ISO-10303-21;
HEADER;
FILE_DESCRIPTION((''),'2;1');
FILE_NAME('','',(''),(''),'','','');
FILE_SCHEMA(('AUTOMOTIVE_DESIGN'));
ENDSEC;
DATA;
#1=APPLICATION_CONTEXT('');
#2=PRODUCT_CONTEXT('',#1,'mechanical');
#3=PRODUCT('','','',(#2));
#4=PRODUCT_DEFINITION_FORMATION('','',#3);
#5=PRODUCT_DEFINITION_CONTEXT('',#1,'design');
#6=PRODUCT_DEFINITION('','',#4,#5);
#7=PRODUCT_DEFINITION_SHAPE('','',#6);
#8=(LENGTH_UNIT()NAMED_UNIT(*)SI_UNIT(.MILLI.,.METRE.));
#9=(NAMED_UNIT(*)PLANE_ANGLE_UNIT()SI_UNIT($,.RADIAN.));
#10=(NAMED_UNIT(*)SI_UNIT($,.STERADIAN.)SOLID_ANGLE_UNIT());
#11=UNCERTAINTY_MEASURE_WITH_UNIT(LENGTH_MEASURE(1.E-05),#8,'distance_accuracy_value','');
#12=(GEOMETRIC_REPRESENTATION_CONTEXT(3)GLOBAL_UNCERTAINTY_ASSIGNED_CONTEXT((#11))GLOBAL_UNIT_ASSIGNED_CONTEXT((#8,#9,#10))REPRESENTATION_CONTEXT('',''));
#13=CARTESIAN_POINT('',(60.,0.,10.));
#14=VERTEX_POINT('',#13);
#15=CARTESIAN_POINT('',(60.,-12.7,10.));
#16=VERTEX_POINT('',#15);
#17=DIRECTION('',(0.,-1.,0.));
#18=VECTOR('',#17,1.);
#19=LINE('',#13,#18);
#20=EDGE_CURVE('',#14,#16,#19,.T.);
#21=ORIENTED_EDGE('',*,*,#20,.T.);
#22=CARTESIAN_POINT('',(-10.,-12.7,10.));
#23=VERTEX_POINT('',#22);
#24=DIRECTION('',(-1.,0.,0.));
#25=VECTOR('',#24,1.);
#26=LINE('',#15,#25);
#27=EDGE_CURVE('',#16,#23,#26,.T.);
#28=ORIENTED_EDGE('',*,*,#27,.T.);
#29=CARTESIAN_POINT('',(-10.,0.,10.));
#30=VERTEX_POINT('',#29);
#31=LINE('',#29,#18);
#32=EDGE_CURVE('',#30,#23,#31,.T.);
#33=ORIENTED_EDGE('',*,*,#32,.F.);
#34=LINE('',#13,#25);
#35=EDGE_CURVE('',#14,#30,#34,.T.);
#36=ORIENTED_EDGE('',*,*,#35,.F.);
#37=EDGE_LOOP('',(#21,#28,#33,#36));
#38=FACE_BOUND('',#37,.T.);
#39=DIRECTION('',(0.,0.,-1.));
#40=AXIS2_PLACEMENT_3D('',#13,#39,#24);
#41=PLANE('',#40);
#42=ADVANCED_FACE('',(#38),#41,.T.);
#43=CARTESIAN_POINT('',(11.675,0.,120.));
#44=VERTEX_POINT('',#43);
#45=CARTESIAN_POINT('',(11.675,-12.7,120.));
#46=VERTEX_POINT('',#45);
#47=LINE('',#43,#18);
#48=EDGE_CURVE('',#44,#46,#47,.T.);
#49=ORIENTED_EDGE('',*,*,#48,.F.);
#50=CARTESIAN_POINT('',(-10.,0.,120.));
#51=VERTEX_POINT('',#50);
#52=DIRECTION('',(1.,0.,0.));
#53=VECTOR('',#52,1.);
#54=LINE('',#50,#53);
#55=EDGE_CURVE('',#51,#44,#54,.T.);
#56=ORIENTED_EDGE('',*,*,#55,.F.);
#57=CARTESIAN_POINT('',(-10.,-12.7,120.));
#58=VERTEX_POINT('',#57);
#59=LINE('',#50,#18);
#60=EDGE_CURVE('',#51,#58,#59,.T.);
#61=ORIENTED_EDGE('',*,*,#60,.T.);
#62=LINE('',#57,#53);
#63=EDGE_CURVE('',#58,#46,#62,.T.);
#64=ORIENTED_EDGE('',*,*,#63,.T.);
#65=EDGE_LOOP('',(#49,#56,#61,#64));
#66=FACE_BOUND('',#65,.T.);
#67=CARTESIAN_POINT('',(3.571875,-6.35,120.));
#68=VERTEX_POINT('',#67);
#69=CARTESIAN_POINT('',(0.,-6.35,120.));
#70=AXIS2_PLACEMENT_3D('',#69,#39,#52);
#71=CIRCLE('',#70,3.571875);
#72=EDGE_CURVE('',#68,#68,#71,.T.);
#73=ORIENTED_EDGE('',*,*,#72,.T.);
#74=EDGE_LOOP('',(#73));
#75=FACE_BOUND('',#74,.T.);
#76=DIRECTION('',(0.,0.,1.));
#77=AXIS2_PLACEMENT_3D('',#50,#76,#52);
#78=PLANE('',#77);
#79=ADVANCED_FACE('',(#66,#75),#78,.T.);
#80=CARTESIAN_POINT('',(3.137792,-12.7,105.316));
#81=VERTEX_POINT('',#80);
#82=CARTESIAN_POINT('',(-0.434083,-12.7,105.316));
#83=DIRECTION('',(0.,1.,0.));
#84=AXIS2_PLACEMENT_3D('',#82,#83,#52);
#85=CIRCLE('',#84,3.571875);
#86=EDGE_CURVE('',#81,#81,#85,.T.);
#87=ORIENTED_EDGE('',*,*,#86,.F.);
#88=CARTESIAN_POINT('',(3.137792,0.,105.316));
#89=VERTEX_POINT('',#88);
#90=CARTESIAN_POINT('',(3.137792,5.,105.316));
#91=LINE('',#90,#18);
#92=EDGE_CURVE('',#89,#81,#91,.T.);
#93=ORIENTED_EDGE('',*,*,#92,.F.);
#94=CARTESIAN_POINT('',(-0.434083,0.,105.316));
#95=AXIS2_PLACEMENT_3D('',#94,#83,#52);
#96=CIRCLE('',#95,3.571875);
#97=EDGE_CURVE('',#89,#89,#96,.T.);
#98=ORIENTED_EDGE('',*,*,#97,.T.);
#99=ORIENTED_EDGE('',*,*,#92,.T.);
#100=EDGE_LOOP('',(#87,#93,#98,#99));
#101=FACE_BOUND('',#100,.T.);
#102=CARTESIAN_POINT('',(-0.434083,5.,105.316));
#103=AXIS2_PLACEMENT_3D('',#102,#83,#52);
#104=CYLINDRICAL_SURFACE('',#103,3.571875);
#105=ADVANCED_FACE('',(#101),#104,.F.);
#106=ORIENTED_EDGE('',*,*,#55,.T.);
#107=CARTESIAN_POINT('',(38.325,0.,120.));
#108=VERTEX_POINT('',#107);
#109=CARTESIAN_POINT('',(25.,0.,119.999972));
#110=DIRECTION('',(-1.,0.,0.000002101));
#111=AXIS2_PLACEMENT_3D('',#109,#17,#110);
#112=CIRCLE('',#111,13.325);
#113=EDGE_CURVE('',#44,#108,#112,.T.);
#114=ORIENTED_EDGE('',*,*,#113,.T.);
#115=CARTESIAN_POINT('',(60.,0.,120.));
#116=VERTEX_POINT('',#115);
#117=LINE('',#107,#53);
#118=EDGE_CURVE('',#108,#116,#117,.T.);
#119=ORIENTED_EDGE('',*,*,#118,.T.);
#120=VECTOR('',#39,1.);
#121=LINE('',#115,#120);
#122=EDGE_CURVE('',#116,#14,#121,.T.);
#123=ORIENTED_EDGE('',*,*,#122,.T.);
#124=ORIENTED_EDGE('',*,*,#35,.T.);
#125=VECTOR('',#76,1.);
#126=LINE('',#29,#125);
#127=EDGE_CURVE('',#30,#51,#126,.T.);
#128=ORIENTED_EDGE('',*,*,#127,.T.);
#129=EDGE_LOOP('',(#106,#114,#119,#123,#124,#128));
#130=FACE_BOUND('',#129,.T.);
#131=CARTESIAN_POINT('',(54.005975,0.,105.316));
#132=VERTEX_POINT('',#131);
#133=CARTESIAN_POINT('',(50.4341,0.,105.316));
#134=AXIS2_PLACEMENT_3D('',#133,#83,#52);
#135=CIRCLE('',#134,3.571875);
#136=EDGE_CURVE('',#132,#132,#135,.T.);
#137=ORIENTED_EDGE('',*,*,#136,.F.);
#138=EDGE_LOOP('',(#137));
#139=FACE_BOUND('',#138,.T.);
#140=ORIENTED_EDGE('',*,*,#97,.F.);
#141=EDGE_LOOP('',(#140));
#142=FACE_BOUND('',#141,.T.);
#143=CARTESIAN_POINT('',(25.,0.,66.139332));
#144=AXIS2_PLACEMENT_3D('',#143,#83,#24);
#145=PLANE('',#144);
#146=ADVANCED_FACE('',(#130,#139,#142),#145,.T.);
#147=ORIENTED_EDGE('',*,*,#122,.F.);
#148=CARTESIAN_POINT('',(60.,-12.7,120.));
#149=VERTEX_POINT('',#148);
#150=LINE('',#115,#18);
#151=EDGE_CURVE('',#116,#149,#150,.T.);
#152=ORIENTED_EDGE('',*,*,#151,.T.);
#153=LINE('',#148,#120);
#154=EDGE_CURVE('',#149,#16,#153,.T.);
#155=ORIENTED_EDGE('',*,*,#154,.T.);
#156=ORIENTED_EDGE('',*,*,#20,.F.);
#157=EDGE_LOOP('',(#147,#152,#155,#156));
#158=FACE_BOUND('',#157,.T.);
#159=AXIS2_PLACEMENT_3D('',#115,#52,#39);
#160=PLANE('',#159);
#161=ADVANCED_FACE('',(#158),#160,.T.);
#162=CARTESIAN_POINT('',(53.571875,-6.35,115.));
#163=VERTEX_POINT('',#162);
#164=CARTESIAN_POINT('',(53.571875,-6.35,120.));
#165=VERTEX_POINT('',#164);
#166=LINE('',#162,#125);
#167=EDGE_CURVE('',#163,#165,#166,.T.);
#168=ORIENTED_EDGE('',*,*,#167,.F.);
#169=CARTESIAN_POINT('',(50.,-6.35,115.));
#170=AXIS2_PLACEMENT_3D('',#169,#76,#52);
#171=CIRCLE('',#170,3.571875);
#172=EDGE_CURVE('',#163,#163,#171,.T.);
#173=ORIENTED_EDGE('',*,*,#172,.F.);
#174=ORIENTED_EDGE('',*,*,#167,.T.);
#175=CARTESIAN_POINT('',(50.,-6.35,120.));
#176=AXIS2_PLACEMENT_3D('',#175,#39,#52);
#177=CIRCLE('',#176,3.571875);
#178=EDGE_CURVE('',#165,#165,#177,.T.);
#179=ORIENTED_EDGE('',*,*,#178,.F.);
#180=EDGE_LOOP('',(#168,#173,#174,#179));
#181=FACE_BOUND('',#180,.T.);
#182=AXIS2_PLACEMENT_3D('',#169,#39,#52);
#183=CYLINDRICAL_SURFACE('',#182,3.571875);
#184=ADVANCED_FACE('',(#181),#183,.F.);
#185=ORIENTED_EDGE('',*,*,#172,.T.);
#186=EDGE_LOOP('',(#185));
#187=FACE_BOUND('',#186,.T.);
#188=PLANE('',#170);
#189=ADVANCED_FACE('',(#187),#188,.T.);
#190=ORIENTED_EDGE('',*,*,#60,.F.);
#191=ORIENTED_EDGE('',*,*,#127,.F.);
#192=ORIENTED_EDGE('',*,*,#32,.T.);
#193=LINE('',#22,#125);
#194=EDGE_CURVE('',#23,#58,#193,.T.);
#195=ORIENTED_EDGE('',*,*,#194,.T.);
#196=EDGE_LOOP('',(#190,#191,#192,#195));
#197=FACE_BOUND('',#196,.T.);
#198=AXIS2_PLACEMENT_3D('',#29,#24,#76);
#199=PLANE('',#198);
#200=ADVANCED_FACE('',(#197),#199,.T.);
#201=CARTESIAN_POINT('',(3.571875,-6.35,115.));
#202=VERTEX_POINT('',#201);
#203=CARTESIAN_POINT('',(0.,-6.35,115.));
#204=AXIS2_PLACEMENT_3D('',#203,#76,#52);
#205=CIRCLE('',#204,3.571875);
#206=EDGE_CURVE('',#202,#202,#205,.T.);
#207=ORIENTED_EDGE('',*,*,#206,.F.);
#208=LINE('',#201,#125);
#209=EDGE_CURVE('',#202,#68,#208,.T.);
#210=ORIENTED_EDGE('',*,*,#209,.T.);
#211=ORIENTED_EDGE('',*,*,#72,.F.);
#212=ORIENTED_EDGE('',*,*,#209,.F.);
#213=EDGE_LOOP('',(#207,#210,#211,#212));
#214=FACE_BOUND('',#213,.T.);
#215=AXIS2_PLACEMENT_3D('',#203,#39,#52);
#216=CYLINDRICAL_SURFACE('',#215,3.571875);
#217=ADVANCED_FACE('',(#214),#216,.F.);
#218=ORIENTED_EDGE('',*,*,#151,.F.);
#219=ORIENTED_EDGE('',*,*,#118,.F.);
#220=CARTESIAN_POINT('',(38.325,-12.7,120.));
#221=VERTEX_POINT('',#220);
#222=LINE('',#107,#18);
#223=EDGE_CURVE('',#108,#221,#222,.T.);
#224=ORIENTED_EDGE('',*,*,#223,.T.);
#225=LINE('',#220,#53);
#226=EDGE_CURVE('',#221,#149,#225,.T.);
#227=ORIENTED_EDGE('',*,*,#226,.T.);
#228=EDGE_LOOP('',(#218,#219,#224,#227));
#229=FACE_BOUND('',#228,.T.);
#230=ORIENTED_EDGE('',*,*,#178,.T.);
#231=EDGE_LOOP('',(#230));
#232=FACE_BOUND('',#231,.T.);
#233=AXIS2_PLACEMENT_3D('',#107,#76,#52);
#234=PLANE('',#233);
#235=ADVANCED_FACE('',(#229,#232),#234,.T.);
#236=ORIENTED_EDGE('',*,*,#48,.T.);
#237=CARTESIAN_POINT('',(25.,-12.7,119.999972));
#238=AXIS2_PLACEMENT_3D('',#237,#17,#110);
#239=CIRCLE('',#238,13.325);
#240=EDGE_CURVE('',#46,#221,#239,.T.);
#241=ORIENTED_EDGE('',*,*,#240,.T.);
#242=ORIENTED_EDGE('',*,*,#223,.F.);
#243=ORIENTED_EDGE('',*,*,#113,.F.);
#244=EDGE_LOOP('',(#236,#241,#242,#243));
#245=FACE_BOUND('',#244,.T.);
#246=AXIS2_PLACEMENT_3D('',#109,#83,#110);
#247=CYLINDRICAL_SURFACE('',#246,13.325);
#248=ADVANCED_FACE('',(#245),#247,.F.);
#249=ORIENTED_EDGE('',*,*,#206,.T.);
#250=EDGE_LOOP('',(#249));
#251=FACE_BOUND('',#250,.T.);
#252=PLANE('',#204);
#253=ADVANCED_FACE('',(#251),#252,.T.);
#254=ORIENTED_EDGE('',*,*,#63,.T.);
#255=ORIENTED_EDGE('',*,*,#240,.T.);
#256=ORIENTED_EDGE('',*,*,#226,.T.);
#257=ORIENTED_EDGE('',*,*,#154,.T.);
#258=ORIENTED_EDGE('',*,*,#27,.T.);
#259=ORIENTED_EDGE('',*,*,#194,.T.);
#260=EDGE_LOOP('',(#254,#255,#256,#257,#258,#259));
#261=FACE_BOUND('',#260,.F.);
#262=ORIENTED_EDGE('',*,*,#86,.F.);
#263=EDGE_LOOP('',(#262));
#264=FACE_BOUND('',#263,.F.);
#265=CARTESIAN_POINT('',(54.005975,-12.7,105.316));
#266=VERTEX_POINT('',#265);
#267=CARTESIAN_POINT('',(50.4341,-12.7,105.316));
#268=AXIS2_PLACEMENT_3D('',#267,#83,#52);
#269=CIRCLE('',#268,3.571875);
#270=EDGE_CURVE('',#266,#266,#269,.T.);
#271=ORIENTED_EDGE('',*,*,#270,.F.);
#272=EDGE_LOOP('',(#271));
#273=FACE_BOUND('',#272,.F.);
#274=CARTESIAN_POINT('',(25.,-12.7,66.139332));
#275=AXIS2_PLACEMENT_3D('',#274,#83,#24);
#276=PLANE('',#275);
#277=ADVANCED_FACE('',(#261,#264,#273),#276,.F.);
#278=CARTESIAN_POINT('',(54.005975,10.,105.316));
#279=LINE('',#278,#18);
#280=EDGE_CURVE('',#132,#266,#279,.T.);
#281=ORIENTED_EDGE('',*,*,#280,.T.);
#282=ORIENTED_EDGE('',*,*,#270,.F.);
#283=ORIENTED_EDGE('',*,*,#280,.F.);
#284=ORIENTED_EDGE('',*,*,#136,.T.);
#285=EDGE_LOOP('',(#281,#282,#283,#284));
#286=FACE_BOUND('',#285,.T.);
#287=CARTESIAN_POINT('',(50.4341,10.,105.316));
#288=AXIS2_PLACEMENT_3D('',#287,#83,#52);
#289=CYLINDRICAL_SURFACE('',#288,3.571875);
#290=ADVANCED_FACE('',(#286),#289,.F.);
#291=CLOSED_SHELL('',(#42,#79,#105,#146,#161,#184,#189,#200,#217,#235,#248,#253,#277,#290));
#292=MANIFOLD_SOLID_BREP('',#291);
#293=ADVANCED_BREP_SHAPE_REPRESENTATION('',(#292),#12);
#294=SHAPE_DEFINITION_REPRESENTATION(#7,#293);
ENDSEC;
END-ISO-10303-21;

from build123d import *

# Parameters (mm, degrees)
SKETCH026_R  = 3.571875
PAD026_DEPTH = 6
SKETCH025_R  = 3.571875
PAD025_DEPTH = 6
SKETCH024_R  = 3.571875
PAD024_DEPTH = 50
SKETCH023_R  = 3.571875
PAD023_DEPTH = 33.7
PAD001_DEPTH = 12.7


with BuildPart() as body026:
    # Sketch026 → Pad026 (new body)
    with BuildSketch(Plane.XY):
        Circle(SKETCH026_R)
    extrude(amount=PAD026_DEPTH)


with BuildPart() as body026_1:
    # Body026 placement: moved
    add(body026.part.moved(Location((150, -6.35, 115))))


with BuildPart() as body025:
    # Sketch025 → Pad025 (new body)
    with BuildSketch(Plane.XY):
        Circle(SKETCH025_R)
    extrude(amount=PAD025_DEPTH)


with BuildPart() as body025_1:
    # Body025 placement: moved
    add(body025.part.moved(Location((100, -6.35, 115))))


with BuildPart() as body024:
    # Sketch024 → Pad024 (new body)
    with BuildSketch(Plane.XZ):
        Circle(SKETCH024_R)
    extrude(amount=PAD024_DEPTH)


with BuildPart() as body024_1:
    # Body024 placement: moved
    add(body024.part.moved(Location((50.4341, 10, 105.316))))


with BuildPart() as body023:
    # Sketch023 → Pad023 (new body)
    with BuildSketch(Plane.XZ):
        Circle(SKETCH023_R)
    extrude(amount=PAD023_DEPTH)


with BuildPart() as body023_1:
    # Body023 placement: moved
    add(body023.part.moved(Location((-0.434083, 5, 105.316))))


with BuildPart() as bracelower001:
    # Sketch001 → Pad001 (new body)
    with BuildSketch(Plane.XZ):
        with BuildLine():
            Line((0, 0), (0, 110))
            Line((0, 110), (21.675, 110))
            ThreePointArc((21.675, 110), (35, 96.674972), (48.325, 110))
            Line((48.325, 110), (70, 110))
            Line((70, 110), (70, 0))
            Line((70, 0), (0, 0))
        make_face()
    extrude(amount=PAD001_DEPTH)


with BuildPart() as bracelower001_1:
    # Body001 placement: moved
    add(bracelower001.part.moved(Location((-10, 0, 10))))

    # Cut016: cut Body023
    add(body023_1.part, mode=Mode.SUBTRACT)

    # Cut017: cut Body024
    add(body024_1.part, mode=Mode.SUBTRACT)


with BuildPart() as bracelower001_2:
    # Cut017 placement: moved
    add(bracelower001_1.part.moved(Location((100, 0, 0))))

    # Cut018: cut Body025
    add(body025_1.part, mode=Mode.SUBTRACT)

    # Cut019: cut Body026
    add(body026_1.part, mode=Mode.SUBTRACT)


with BuildPart() as bracelower001_3:
    # Cut019 placement: moved
    add(bracelower001_2.part.moved(Location((-100, 0, 0))))


solid = bracelower001_3.part
